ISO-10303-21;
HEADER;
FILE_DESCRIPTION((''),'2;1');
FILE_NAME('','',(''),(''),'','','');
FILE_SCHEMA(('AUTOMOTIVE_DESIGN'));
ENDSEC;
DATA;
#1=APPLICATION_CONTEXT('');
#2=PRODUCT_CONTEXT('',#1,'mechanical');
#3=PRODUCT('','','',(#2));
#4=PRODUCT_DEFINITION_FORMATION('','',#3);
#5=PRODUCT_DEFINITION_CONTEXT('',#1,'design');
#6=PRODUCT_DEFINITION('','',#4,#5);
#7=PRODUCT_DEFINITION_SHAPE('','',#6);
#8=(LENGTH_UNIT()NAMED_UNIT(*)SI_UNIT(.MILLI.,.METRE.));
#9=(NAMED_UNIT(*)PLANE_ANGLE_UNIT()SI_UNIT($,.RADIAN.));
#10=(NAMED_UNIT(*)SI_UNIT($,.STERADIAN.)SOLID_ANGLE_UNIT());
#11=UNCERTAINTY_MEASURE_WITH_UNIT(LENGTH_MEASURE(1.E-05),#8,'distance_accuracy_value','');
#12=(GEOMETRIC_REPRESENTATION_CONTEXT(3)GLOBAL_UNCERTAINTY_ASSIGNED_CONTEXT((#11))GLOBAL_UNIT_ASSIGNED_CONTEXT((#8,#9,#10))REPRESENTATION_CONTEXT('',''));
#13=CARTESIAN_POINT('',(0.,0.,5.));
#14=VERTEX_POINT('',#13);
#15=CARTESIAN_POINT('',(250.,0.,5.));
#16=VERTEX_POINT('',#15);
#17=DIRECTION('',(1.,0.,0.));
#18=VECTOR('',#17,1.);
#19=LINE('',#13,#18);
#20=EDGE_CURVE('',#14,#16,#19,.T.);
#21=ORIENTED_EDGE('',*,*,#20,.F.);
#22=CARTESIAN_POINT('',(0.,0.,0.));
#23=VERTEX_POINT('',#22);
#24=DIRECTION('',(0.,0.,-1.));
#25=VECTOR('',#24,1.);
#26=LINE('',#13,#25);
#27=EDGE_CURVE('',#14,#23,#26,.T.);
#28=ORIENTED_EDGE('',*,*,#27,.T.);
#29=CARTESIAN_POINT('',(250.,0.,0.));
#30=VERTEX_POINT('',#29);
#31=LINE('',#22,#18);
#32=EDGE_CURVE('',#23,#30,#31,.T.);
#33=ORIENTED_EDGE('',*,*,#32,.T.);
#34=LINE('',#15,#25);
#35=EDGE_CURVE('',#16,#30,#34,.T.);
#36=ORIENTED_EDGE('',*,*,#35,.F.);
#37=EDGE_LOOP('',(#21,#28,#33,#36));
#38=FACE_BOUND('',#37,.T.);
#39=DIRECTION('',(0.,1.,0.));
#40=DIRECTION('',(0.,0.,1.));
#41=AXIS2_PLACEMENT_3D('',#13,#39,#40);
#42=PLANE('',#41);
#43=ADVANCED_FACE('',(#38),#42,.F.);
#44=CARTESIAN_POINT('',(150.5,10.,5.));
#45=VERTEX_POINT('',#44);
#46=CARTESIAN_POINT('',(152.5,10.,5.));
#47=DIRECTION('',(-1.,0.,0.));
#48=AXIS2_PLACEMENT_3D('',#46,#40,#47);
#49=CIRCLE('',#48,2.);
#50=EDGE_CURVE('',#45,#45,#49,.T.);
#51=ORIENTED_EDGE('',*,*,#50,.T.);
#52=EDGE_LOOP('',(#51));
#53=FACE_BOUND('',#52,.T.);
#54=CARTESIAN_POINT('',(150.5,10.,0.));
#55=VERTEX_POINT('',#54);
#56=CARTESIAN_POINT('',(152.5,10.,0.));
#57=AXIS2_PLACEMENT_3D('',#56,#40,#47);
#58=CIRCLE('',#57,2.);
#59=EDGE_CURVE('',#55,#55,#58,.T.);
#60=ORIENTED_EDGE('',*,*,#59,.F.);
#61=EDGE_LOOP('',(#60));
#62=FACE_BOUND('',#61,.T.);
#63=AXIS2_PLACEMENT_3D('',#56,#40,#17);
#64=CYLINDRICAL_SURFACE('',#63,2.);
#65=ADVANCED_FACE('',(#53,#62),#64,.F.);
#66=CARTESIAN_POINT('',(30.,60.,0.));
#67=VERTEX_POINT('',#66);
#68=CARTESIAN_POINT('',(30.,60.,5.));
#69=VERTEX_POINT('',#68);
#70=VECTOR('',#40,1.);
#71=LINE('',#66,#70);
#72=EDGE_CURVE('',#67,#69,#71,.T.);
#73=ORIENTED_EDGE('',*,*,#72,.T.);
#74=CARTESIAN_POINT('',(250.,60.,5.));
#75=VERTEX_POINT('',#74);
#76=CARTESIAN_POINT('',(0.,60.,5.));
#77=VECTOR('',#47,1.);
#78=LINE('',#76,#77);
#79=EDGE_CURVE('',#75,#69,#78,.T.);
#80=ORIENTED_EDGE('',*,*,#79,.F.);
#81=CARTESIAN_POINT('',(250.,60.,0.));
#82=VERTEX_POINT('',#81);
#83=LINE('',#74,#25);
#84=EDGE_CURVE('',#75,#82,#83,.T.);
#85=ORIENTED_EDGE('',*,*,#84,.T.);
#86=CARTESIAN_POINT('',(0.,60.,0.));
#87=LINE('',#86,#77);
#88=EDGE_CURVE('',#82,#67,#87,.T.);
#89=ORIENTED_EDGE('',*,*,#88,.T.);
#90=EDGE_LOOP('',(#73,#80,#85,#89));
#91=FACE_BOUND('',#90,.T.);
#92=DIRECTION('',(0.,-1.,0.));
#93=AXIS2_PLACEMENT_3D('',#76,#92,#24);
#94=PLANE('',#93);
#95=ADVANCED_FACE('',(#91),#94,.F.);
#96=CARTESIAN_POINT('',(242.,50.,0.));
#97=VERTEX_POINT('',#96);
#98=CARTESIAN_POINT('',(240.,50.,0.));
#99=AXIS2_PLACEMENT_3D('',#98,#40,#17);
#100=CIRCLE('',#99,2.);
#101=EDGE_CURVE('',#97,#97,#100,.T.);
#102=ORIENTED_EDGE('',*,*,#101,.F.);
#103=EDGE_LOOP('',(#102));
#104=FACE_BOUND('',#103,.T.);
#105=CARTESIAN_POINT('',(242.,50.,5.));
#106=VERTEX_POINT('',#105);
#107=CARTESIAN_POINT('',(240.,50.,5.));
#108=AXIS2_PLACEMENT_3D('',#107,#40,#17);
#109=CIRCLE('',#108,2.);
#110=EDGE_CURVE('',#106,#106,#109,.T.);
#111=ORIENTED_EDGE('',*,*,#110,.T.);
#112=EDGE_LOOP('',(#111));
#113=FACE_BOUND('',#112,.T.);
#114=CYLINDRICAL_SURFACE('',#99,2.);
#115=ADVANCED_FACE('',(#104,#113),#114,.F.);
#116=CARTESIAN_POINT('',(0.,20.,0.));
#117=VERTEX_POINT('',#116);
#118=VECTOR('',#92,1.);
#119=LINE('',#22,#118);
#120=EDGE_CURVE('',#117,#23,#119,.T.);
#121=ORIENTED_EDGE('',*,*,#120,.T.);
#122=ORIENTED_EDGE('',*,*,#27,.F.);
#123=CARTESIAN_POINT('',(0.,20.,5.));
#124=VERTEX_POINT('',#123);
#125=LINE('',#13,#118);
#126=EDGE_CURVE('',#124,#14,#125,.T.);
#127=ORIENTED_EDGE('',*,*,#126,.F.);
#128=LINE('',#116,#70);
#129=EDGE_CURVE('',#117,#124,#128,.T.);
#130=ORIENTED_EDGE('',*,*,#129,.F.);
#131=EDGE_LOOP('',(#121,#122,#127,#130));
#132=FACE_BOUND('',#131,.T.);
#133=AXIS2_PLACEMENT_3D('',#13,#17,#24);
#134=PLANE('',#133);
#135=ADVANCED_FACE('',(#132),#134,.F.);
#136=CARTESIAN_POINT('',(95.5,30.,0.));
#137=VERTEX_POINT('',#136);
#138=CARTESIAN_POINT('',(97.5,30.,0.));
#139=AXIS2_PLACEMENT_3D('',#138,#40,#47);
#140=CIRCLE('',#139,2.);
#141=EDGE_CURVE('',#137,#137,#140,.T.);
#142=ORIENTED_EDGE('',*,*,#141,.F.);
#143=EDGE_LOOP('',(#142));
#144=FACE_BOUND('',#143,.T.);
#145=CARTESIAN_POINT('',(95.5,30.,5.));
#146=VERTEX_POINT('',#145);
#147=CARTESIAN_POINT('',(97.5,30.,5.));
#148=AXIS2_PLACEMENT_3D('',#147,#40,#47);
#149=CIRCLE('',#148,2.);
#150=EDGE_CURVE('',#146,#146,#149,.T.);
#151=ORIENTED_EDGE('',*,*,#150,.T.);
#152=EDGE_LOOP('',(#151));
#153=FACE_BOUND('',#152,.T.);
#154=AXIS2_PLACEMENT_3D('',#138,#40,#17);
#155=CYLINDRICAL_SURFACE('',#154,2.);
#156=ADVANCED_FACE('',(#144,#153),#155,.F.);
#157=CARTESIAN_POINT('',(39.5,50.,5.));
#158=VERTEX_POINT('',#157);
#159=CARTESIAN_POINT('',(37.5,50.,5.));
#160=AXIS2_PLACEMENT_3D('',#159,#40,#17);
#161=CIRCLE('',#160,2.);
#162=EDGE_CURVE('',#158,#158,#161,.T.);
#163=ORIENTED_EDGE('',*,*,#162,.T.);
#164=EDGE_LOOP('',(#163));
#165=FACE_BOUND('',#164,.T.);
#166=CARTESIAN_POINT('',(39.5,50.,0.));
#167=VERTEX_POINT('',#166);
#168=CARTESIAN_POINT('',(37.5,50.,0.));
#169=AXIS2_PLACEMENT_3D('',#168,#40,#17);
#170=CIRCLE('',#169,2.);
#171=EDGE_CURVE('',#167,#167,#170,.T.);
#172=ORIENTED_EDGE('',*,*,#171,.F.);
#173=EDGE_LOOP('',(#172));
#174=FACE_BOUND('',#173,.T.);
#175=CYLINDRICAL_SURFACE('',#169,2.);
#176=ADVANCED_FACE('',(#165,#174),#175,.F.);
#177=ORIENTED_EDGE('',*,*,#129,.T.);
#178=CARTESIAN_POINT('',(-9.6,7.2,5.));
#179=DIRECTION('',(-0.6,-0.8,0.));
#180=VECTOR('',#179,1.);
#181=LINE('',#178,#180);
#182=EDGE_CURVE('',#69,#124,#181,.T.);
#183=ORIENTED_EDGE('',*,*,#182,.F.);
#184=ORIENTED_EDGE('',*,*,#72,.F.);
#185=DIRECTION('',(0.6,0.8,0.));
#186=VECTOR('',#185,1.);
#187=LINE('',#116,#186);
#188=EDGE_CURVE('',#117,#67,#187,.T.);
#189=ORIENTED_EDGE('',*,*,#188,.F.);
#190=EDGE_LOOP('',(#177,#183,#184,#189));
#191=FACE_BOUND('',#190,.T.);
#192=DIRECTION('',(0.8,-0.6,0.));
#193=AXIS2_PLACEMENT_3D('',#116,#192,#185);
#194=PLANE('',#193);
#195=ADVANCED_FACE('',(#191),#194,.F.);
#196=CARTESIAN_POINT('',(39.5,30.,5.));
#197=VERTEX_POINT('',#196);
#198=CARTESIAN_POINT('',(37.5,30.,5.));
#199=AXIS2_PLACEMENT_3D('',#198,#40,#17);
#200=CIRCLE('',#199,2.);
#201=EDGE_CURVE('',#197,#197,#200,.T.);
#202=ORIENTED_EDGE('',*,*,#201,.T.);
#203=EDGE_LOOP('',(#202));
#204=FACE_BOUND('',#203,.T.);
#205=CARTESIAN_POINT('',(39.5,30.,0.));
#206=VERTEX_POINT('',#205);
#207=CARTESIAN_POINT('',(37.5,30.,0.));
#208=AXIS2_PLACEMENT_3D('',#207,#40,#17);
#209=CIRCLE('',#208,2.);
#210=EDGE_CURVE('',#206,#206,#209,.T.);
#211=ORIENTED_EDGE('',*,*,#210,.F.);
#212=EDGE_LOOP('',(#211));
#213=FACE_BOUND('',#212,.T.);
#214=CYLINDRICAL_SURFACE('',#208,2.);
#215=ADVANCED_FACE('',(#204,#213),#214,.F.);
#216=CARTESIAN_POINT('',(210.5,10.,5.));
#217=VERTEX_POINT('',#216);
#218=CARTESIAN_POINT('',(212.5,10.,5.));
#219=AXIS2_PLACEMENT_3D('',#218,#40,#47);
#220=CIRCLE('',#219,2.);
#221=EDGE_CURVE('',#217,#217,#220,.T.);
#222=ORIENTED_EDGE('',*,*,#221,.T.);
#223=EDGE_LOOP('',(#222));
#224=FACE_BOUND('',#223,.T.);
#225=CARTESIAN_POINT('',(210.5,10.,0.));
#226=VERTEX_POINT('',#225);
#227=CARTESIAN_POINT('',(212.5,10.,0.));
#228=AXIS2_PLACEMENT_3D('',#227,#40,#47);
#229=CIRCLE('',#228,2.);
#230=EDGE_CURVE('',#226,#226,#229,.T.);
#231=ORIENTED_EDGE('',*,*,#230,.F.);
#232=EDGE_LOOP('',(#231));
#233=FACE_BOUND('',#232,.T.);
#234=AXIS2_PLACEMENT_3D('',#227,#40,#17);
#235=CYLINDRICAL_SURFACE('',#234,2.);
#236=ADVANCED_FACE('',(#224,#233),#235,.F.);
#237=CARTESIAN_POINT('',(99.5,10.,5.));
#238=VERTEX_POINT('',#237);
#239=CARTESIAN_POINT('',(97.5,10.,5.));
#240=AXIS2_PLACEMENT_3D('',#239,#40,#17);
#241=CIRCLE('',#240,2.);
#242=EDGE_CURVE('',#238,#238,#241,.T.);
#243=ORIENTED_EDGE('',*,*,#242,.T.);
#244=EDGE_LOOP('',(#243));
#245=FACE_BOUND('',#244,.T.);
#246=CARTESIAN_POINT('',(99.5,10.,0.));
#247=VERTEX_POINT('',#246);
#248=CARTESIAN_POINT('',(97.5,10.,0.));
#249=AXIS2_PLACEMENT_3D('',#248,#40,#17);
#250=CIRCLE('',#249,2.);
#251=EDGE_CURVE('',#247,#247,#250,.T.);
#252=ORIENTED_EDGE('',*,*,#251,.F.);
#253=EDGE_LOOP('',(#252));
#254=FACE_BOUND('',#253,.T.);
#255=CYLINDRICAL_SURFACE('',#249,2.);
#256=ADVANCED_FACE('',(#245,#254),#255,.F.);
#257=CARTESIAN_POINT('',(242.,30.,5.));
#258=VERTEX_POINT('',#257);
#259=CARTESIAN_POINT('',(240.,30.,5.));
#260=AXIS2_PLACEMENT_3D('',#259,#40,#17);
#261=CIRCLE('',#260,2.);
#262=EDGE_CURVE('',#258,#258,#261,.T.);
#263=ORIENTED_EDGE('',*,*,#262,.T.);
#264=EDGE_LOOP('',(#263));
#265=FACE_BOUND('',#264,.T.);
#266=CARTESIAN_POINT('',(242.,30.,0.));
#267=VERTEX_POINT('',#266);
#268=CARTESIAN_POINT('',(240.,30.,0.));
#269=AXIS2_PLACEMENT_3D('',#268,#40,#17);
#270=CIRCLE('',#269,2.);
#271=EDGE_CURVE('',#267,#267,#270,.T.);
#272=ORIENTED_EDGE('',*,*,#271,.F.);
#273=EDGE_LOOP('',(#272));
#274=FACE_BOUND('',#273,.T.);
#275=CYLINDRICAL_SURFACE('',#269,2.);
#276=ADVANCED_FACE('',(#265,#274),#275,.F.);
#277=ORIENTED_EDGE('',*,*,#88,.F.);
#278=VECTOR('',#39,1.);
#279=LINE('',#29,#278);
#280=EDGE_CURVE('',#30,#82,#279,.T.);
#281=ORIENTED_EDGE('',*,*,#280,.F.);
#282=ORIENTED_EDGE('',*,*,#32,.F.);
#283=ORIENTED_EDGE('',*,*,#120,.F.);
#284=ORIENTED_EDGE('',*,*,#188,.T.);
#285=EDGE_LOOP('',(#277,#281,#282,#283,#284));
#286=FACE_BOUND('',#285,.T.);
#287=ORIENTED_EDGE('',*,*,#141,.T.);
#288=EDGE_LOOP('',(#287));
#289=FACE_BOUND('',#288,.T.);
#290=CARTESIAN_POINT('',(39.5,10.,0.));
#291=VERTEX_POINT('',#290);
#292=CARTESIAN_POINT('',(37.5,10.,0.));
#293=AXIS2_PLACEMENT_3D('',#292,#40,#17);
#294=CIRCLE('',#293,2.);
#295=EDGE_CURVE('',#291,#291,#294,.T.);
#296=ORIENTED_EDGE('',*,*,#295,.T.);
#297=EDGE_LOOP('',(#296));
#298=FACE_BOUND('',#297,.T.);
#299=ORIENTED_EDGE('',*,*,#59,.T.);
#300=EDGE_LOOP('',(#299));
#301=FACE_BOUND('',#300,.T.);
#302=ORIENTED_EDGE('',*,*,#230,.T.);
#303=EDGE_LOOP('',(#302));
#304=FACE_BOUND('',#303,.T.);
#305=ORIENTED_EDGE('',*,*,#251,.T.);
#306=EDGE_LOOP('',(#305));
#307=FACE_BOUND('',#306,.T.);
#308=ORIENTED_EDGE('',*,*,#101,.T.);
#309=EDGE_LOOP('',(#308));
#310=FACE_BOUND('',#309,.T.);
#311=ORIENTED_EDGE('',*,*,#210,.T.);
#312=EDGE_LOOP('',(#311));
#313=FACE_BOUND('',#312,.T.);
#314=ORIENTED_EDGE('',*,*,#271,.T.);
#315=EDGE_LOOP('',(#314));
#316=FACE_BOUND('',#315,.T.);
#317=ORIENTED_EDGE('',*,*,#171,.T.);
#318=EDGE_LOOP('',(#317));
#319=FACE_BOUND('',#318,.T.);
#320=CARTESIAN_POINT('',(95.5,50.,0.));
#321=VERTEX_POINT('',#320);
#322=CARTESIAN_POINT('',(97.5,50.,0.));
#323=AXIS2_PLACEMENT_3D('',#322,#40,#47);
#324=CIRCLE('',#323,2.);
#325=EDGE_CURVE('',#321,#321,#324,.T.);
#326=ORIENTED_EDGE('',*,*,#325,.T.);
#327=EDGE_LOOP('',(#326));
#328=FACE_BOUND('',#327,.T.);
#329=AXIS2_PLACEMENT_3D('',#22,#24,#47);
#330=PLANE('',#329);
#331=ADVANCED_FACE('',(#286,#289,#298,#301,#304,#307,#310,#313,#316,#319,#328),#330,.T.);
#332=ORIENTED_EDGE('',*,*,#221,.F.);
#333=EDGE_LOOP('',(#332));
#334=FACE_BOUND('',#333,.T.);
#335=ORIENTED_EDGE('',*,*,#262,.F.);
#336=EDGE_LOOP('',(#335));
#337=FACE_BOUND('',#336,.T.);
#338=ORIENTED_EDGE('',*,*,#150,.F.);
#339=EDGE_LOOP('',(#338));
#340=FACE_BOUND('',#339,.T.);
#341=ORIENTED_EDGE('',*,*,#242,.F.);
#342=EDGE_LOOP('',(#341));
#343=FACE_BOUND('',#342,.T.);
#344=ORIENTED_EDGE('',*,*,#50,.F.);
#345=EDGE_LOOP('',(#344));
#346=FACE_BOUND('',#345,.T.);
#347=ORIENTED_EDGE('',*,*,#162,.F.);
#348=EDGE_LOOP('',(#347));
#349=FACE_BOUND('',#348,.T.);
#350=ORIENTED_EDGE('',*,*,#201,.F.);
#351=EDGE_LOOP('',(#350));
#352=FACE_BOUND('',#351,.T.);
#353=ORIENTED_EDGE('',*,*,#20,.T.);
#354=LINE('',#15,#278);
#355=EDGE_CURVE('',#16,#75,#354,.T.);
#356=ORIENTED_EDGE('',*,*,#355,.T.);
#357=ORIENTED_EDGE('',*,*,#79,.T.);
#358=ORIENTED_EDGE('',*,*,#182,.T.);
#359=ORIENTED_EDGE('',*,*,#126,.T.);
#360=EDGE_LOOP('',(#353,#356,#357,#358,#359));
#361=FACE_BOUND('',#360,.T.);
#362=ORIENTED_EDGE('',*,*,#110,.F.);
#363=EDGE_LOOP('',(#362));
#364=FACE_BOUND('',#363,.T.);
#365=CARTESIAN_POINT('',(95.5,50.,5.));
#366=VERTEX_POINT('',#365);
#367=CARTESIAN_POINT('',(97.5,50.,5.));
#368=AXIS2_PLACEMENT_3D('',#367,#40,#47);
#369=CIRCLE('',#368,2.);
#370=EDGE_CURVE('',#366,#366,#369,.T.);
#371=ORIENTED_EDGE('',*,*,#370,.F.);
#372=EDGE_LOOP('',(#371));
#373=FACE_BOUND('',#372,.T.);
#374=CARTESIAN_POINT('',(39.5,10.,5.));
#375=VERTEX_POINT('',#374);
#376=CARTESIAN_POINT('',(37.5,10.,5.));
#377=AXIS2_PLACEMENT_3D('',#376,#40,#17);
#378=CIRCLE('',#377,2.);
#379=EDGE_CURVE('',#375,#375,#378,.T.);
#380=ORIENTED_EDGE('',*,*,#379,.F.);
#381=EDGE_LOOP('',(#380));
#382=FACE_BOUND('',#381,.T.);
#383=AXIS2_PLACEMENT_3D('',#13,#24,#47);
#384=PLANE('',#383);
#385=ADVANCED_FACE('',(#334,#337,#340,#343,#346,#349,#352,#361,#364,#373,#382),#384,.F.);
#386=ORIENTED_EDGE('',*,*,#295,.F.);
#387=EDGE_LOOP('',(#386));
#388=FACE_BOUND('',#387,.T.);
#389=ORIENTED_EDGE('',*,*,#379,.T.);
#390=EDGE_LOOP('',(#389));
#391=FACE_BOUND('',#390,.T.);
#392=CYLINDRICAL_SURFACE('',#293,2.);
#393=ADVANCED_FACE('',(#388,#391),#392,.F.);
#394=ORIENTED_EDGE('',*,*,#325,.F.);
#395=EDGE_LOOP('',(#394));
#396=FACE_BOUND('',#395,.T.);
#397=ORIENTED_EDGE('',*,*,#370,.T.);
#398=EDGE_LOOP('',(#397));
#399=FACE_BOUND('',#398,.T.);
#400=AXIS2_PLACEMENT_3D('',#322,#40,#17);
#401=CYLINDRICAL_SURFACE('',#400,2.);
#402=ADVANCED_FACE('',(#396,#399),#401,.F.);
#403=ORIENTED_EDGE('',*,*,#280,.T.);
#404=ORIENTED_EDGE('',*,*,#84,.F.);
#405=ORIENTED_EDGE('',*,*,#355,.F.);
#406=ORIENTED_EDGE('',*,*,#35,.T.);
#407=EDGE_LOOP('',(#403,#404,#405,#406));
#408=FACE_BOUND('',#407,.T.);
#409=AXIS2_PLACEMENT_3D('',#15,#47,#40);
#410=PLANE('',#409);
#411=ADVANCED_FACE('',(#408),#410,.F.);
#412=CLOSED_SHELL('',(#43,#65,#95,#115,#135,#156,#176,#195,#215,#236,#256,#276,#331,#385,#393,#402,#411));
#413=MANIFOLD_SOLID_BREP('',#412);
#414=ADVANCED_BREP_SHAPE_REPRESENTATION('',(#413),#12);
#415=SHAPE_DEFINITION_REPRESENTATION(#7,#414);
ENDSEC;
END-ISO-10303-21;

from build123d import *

# Parameters (mm, degrees)
ESQUISSE1_W                  = 250
ESQUISSE1_H                  = 60
BOSS_EXTRU_1_DEPTH           = 5
ESQUISSE2_R                  = 2
ENL_V_MAT_EXTRU_1_DEPTH      = 5
ENL_V_MAT_EXTRU_2_DEPTH      = 258.147817412
ENL_V_MAT_EXTRU_2_DEPTH_BACK = 258.147817412


with BuildPart() as part:
    # Esquisse1 → Boss.-Extru.1 (new body)
    with BuildSketch(Plane.XY):
        with Locations((125, 30)):
            Rectangle(ESQUISSE1_W, ESQUISSE1_H)
    extrude(amount=BOSS_EXTRU_1_DEPTH)

    # Esquisse2 → Enlèv. mat.-Extru.1 (cut)
    with BuildSketch(Plane.XY.offset(5)):
        with Locations((37.5, 10)):
            Circle(ESQUISSE2_R)
        with Locations((97.5, 10)):
            Circle(ESQUISSE2_R)
        with Locations(Location((152.5, 10, 0), (0, 0, 180))):
            Circle(ESQUISSE2_R)
        with Locations(Location((212.5, 10, 0), (0, 0, 180))):
            Circle(ESQUISSE2_R)
        with Locations((240, 50)):
            Circle(ESQUISSE2_R)
        with Locations((240, 30)):
            Circle(ESQUISSE2_R)
        with Locations((37.5, 30)):
            Circle(ESQUISSE2_R)
        with Locations((37.5, 50)):
            Circle(ESQUISSE2_R)
        with Locations(Location((97.5, 50, 0), (0, 0, 180))):
            Circle(ESQUISSE2_R)
        with Locations(Location((97.5, 30, 0), (0, 0, 180))):
            Circle(ESQUISSE2_R)
    extrude(amount=-ENL_V_MAT_EXTRU_1_DEPTH, mode=Mode.SUBTRACT)

    # Esquisse3 → Enlèv. mat.-Extru.2 (cut, two sides: drawn at the far end of the back side and taken through both)
    with BuildSketch(Plane.XY.offset(5).offset(-ENL_V_MAT_EXTRU_2_DEPTH_BACK)):
        Polygon((0, 20), (30, 60), (0, 60), align=None)
    extrude(amount=ENL_V_MAT_EXTRU_2_DEPTH + ENL_V_MAT_EXTRU_2_DEPTH_BACK, mode=Mode.SUBTRACT)


solid = part.part
